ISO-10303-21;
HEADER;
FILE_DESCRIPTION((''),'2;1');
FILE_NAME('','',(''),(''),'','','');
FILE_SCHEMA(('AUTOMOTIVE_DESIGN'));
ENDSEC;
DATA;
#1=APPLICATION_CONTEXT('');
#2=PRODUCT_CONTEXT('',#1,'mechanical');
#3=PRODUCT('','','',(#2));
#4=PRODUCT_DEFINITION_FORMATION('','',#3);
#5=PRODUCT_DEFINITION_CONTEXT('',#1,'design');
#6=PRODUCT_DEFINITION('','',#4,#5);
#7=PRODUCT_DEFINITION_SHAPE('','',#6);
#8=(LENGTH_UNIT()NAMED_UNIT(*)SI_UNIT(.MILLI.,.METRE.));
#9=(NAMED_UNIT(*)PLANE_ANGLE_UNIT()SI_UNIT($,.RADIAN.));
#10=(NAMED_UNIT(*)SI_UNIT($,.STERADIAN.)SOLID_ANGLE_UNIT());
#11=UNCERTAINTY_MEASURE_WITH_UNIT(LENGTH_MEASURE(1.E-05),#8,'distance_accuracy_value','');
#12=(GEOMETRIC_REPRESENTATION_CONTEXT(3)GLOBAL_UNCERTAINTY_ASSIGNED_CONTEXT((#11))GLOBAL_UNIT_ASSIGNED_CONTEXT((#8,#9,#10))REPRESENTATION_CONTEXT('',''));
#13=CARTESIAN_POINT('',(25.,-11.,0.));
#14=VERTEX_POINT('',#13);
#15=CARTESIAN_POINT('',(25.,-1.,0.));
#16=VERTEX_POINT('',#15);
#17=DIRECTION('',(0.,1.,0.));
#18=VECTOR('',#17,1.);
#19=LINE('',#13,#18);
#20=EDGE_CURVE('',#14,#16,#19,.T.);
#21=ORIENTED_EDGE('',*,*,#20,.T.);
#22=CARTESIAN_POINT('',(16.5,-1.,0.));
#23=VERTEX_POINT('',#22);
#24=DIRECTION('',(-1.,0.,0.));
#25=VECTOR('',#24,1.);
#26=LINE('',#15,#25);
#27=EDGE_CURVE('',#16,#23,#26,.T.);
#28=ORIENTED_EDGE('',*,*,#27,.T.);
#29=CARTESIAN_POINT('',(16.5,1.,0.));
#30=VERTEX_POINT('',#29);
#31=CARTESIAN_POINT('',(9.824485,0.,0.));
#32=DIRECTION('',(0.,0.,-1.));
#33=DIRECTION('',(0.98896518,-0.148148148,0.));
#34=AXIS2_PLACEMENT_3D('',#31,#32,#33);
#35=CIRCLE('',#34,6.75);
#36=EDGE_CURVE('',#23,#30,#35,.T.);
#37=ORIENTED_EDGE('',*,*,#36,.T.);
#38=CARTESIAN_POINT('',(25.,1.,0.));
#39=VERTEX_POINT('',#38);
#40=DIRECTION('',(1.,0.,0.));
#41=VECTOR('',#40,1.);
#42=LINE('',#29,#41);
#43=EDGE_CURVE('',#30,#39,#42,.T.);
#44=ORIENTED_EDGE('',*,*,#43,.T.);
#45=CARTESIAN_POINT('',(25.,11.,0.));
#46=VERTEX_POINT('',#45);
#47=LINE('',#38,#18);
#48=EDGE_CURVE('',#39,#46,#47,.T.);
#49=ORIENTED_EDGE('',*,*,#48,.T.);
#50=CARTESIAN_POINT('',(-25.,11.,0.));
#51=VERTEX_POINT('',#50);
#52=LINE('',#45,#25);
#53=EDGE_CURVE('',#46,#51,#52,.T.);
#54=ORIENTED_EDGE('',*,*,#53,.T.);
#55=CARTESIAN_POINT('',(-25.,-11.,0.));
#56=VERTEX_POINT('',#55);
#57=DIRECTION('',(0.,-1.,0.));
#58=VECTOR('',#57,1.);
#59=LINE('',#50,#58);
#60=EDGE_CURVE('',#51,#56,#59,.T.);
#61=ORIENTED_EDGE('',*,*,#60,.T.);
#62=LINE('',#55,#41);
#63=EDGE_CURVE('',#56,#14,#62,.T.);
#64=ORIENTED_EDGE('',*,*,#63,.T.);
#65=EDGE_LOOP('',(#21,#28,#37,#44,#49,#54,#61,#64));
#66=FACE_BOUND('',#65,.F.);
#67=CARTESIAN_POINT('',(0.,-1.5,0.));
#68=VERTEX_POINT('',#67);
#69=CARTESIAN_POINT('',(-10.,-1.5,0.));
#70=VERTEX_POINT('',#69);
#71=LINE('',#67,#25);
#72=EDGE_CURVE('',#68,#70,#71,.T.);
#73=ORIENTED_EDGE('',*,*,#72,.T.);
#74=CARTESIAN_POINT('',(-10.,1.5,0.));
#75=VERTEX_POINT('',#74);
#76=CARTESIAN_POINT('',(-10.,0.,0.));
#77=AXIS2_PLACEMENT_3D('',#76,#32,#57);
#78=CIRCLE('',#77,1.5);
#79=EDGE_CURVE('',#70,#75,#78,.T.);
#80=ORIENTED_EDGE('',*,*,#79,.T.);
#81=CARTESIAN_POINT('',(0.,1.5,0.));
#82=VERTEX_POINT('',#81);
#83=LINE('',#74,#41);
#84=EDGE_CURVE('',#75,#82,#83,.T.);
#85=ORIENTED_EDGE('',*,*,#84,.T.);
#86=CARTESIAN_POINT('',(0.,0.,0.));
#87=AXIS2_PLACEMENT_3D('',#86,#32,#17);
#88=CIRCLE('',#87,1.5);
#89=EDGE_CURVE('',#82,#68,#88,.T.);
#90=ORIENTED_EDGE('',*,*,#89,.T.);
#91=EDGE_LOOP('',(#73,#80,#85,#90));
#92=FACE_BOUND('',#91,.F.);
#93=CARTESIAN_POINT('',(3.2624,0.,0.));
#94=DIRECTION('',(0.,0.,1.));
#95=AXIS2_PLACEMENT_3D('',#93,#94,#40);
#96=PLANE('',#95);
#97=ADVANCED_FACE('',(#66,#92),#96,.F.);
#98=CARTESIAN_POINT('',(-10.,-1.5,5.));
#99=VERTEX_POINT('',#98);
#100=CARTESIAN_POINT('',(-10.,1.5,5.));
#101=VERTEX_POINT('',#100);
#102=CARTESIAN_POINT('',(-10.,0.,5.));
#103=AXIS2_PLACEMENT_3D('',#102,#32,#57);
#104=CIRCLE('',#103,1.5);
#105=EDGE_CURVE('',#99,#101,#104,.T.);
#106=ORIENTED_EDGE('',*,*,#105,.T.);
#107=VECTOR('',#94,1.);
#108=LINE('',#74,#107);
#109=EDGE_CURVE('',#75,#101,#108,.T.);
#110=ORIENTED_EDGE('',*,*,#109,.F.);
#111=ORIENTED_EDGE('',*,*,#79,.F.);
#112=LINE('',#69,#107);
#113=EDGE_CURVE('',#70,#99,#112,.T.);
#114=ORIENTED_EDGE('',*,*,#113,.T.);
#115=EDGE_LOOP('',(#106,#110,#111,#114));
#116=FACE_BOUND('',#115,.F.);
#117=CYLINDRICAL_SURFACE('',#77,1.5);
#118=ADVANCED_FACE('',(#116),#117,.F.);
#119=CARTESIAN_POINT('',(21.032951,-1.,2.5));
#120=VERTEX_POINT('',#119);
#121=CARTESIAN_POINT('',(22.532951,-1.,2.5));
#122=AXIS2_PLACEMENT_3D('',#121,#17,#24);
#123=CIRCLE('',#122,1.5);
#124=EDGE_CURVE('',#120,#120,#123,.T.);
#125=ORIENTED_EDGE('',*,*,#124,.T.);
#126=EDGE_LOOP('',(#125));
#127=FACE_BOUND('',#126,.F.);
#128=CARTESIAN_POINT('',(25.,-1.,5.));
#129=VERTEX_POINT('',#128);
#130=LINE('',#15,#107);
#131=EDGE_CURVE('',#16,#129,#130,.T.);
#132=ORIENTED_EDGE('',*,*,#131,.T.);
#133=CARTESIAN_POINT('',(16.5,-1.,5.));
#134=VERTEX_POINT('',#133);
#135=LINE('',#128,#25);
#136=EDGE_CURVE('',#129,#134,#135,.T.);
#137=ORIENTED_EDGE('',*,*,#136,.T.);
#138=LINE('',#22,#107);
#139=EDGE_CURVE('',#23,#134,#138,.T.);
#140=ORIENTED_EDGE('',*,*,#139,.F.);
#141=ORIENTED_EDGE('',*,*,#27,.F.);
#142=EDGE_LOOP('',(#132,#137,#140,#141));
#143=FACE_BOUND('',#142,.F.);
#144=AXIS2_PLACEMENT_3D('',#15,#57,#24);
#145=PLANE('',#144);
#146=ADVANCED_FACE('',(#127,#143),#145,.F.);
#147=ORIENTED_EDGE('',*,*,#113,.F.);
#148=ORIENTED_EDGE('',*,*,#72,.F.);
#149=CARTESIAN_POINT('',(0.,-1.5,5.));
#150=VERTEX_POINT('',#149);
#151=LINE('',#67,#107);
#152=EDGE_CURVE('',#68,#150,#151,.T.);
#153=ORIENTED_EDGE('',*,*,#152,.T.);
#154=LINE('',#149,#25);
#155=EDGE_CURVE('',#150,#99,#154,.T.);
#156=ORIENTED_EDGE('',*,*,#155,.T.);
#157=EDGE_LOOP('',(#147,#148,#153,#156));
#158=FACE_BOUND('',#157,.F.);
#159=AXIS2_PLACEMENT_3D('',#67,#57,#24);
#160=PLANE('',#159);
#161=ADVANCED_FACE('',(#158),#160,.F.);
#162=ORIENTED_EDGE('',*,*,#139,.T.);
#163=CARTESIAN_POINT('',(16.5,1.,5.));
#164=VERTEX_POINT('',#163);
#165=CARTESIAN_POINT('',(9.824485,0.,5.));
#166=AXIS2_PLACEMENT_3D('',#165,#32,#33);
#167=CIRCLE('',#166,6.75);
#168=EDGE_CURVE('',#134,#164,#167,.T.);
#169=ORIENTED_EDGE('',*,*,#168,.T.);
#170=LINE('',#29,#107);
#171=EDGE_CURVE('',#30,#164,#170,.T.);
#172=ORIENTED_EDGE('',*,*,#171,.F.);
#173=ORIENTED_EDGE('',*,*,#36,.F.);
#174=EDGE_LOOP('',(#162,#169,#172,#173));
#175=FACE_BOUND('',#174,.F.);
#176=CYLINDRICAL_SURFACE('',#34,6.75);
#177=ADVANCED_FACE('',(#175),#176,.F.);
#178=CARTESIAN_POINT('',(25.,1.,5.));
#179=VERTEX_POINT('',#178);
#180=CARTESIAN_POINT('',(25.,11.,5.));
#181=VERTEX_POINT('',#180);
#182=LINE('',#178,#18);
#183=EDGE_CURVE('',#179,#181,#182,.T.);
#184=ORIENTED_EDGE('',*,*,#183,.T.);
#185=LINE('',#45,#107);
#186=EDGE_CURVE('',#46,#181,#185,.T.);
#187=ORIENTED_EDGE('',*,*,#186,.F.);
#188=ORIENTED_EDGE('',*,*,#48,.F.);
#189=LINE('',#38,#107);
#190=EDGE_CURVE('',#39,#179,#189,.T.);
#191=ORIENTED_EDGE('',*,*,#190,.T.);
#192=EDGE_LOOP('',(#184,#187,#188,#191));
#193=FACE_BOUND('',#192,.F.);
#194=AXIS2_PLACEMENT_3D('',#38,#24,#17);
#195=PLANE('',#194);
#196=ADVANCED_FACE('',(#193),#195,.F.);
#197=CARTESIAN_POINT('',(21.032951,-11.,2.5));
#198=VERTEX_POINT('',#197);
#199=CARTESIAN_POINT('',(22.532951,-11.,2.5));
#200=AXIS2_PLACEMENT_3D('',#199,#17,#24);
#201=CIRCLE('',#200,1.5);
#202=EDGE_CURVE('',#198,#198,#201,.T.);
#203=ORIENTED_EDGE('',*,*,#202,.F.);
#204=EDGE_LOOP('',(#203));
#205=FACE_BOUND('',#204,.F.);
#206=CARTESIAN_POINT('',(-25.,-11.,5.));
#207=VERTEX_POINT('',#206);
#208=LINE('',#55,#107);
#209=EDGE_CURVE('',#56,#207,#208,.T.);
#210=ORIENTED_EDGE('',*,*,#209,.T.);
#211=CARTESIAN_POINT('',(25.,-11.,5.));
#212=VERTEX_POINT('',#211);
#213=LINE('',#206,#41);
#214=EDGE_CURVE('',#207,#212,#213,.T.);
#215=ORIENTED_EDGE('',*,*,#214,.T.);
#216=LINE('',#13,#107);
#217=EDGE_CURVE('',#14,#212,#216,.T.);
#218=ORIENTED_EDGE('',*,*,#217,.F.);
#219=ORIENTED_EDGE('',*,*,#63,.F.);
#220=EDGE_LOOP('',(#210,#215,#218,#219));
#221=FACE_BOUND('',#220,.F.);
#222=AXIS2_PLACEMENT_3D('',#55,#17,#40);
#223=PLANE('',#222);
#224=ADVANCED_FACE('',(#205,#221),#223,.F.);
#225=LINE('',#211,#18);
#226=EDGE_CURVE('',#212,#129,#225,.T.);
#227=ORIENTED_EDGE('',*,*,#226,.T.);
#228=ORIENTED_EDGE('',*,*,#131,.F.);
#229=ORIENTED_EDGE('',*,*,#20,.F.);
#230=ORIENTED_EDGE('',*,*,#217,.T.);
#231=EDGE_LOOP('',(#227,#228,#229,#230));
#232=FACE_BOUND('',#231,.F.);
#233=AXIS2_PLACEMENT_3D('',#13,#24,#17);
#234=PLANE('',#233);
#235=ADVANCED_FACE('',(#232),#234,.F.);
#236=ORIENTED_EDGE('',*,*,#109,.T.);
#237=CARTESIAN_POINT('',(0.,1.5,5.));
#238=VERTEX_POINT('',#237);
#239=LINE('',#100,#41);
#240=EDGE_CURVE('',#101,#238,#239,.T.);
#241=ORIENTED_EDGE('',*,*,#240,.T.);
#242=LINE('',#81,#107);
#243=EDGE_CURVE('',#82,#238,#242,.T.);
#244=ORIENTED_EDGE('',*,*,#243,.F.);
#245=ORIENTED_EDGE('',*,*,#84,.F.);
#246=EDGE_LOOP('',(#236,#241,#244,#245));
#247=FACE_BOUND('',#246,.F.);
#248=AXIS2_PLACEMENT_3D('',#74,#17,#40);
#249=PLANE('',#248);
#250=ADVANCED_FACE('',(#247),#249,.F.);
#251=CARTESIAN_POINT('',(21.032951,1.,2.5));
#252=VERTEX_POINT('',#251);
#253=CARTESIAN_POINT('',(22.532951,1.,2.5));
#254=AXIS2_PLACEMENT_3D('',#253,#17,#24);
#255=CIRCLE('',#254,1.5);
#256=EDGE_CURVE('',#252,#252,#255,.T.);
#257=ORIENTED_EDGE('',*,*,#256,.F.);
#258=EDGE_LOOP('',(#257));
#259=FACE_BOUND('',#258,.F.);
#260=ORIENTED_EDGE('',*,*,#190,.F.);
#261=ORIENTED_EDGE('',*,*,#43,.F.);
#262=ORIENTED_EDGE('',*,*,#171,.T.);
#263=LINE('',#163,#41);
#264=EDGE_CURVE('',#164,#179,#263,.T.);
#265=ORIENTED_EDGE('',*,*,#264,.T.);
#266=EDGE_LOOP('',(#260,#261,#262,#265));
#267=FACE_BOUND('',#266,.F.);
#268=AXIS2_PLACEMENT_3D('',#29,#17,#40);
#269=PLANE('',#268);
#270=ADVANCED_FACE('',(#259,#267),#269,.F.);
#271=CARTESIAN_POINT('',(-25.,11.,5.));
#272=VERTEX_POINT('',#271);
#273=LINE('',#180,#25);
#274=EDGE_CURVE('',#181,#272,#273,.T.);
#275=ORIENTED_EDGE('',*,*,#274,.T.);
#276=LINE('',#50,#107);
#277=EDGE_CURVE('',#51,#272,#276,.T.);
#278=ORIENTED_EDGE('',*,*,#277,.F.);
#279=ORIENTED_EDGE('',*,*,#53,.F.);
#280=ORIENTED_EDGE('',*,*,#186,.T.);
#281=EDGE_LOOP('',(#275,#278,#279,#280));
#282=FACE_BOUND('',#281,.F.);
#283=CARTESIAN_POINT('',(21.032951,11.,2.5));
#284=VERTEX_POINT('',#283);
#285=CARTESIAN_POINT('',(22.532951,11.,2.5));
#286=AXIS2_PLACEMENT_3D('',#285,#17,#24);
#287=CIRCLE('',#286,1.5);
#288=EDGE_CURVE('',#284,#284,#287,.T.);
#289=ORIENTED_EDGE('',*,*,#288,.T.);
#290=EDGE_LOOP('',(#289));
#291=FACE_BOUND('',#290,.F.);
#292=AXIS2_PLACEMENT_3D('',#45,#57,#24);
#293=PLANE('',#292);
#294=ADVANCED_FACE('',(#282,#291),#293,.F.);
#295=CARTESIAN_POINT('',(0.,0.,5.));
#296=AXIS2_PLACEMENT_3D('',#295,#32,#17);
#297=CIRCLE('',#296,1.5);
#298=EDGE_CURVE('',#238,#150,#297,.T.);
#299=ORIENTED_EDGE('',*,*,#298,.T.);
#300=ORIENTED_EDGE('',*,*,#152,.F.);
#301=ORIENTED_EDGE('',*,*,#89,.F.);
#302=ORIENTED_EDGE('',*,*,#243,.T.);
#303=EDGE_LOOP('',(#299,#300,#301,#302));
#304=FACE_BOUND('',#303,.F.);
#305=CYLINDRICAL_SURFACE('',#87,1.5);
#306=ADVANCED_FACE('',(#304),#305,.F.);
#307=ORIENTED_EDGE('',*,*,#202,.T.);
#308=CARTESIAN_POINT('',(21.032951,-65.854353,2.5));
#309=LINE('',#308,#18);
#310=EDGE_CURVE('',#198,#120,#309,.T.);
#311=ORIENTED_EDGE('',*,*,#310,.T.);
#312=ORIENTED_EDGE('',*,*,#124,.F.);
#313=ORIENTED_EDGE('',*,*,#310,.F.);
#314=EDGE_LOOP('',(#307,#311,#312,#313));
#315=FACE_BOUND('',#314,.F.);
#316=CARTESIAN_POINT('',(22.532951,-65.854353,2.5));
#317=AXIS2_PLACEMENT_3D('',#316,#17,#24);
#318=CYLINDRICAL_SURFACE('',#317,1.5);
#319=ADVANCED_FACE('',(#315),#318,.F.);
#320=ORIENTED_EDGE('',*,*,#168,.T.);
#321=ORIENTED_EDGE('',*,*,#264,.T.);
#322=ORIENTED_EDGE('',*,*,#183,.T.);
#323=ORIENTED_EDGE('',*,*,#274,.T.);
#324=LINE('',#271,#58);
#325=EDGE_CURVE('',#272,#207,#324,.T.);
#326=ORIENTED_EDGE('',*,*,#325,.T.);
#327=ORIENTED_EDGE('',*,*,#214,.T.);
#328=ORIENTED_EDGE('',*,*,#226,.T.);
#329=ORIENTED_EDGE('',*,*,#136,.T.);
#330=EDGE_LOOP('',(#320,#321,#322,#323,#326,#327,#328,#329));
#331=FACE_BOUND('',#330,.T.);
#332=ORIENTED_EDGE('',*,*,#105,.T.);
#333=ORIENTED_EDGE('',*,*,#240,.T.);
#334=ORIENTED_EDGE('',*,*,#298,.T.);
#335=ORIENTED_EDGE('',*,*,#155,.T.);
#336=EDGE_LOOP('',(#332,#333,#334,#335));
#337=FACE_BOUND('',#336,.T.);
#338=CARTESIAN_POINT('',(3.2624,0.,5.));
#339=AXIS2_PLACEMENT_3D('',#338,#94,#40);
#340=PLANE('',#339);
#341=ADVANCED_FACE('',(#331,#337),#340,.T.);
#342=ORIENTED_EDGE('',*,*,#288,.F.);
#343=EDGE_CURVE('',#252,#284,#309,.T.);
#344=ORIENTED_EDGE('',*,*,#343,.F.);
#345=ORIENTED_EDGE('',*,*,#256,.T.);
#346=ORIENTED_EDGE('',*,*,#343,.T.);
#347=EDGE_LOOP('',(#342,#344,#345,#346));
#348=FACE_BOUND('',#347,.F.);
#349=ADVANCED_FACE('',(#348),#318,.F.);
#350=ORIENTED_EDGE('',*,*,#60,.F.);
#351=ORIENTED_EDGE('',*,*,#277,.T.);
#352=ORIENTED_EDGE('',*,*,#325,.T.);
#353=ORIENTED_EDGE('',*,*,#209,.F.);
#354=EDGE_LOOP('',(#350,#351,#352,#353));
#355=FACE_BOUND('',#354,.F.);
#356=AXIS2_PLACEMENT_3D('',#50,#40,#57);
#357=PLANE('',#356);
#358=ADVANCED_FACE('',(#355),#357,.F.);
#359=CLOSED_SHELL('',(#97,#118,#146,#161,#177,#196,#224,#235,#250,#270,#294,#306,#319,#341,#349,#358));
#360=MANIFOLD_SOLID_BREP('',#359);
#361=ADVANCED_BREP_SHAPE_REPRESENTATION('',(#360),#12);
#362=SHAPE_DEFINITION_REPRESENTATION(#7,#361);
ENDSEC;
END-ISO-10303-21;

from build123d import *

# Parameters (mm, degrees)
F1_DEPTH = 5
F3_D     = 3


with BuildPart() as f1:
    # F0 (on Top) → F1 (new body)
    with BuildSketch(Plane.XY):
        with BuildLine():
            Line((25, 11), (-25, 11))
            Line((-25, 11), (-25, -11))
            Line((-25, -11), (25, -11))
            Line((25, -11), (25, -1))
            Line((25, -1), (16.5, -1))
            ThreePointArc((16.5, -1), (3.074485, 0), (16.5, 1))
            Line((16.5, 1), (25, 1))
            Line((25, 1), (25, 11))
        make_face()
        with BuildLine():
            ThreePointArc((-10, -1.5), (-11.5, 0), (-10, 1.5))
            Line((-10, 1.5), (0, 1.5))
            ThreePointArc((0, 1.5), (1.5, 0), (0, -1.5))
            Line((0, -1.5), (-10, -1.5))
        make_face(mode=Mode.SUBTRACT)
    extrude(amount=F1_DEPTH)

    # F3 (through all)
    with Locations(Plane.XZ.offset(11)):
        with Locations((22.532951, 2.5)):
            Hole(F3_D / 2)


solid = f1.part
